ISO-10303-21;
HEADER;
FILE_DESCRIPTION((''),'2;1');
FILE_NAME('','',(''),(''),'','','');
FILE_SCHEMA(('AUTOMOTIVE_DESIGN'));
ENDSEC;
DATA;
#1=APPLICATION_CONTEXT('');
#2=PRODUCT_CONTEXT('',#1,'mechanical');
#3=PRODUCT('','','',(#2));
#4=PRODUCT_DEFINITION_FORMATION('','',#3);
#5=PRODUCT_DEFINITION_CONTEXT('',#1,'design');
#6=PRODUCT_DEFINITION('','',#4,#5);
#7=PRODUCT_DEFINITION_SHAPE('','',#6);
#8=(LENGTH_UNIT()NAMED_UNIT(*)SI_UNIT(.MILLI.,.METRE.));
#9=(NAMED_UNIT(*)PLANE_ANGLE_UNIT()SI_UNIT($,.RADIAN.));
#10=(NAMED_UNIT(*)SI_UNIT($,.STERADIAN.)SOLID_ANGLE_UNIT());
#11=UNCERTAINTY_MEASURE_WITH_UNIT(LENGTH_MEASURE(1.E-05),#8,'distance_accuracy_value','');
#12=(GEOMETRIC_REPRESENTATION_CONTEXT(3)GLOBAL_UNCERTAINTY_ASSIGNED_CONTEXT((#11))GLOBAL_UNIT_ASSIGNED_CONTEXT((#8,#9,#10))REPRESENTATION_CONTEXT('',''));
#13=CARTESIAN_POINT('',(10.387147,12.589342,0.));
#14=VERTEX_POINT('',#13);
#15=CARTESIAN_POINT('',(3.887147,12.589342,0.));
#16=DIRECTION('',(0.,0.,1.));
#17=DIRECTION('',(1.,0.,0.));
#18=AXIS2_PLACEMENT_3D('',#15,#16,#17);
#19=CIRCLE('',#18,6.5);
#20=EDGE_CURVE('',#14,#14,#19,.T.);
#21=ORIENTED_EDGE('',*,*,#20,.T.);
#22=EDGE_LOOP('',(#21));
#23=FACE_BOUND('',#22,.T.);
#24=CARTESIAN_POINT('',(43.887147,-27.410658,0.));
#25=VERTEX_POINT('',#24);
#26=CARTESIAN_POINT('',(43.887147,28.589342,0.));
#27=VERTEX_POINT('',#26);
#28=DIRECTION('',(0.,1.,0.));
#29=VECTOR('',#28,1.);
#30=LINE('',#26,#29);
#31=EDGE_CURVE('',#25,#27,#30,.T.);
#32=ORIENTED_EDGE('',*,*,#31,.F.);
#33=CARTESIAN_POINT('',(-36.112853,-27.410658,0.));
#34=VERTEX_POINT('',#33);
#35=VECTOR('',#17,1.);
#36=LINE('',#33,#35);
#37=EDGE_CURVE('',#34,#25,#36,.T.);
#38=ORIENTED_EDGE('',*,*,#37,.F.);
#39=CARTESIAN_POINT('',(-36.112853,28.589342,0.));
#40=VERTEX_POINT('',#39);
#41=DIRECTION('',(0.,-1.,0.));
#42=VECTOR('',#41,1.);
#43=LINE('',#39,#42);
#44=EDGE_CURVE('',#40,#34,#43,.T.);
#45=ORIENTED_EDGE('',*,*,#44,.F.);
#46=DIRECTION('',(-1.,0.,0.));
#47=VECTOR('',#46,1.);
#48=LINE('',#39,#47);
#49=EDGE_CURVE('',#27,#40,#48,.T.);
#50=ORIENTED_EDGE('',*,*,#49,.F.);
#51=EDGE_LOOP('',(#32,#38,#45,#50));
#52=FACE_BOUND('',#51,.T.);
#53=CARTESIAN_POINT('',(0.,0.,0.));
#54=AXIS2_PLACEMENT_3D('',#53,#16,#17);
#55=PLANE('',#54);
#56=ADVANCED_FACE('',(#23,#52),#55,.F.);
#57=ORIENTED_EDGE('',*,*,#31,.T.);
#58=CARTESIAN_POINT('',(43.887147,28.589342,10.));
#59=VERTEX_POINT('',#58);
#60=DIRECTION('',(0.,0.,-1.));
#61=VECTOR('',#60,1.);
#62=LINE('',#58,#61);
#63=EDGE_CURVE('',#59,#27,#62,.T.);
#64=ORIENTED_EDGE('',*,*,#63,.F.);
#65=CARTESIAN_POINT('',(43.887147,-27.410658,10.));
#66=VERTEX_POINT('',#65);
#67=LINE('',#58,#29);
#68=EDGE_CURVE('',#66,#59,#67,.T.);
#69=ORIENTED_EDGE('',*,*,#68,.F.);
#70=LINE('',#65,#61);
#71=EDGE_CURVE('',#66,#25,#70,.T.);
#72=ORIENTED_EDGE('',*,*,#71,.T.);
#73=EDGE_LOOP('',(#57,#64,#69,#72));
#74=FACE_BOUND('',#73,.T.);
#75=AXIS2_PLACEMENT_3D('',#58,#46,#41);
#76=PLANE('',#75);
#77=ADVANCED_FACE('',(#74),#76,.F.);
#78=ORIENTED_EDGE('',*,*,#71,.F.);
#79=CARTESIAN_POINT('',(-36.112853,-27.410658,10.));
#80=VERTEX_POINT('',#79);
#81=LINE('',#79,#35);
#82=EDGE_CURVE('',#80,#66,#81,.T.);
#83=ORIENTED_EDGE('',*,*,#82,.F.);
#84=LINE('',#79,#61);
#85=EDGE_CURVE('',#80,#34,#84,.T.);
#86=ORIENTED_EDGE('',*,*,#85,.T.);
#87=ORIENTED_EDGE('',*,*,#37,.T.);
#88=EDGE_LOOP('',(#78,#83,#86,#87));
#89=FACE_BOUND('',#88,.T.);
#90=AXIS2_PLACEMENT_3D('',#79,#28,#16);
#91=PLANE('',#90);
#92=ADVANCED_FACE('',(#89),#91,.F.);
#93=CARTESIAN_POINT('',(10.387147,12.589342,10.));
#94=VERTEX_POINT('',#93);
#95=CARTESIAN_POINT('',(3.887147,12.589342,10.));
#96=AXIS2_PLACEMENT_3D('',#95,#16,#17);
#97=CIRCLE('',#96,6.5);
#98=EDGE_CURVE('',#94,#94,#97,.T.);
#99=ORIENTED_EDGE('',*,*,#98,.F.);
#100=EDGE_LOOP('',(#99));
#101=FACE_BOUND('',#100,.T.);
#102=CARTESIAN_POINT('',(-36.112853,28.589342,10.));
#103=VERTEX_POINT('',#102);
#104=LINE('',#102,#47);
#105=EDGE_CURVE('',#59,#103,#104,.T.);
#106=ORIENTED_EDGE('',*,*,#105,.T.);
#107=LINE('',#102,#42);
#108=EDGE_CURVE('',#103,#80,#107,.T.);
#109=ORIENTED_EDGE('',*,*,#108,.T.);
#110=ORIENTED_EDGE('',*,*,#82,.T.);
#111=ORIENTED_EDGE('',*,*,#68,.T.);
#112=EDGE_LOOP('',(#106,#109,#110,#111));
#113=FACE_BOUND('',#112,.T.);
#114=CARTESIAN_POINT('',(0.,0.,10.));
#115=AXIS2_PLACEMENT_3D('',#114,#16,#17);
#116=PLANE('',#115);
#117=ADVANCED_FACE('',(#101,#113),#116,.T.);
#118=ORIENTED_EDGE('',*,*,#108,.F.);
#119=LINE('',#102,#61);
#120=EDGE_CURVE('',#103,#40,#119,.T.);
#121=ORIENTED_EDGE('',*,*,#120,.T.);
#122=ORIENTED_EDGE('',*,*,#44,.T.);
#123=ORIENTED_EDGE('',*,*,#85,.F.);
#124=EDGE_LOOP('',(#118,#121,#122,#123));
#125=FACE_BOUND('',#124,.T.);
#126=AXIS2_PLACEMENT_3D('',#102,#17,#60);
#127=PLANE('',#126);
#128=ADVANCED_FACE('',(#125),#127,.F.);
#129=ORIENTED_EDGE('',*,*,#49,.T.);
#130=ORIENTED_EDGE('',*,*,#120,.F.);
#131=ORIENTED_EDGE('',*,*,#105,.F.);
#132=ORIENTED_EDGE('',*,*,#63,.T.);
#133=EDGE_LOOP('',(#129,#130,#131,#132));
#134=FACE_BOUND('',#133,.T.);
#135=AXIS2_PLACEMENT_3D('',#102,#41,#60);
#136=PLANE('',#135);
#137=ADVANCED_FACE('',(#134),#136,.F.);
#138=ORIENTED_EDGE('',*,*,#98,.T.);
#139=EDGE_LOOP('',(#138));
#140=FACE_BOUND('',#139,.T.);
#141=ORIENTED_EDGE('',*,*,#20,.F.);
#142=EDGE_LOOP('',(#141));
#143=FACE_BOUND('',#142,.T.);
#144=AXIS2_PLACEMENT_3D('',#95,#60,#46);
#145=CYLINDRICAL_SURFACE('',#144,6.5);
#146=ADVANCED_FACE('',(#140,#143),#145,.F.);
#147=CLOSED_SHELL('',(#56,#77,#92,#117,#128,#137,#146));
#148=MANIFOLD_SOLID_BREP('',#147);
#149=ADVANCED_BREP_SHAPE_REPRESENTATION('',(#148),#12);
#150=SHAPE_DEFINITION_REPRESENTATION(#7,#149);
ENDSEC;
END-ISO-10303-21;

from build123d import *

# Parameters (mm, degrees)
SKETCH_1_W      = 80
SKETCH_1_H      = 56
SKETCH_1_R      = 6.5
EXTRUDE_1_DEPTH = 10


with BuildPart() as part:
    # 草图1 → 凸台-拉伸1 (new body)
    with BuildSketch(Plane.XY):
        with Locations((3.887147335, 0.589341693)):
            Rectangle(SKETCH_1_W, SKETCH_1_H)
        with Locations((3.887147335, 12.589341693)):
            Circle(SKETCH_1_R, mode=Mode.SUBTRACT)
    extrude(amount=EXTRUDE_1_DEPTH)


solid = part.part
